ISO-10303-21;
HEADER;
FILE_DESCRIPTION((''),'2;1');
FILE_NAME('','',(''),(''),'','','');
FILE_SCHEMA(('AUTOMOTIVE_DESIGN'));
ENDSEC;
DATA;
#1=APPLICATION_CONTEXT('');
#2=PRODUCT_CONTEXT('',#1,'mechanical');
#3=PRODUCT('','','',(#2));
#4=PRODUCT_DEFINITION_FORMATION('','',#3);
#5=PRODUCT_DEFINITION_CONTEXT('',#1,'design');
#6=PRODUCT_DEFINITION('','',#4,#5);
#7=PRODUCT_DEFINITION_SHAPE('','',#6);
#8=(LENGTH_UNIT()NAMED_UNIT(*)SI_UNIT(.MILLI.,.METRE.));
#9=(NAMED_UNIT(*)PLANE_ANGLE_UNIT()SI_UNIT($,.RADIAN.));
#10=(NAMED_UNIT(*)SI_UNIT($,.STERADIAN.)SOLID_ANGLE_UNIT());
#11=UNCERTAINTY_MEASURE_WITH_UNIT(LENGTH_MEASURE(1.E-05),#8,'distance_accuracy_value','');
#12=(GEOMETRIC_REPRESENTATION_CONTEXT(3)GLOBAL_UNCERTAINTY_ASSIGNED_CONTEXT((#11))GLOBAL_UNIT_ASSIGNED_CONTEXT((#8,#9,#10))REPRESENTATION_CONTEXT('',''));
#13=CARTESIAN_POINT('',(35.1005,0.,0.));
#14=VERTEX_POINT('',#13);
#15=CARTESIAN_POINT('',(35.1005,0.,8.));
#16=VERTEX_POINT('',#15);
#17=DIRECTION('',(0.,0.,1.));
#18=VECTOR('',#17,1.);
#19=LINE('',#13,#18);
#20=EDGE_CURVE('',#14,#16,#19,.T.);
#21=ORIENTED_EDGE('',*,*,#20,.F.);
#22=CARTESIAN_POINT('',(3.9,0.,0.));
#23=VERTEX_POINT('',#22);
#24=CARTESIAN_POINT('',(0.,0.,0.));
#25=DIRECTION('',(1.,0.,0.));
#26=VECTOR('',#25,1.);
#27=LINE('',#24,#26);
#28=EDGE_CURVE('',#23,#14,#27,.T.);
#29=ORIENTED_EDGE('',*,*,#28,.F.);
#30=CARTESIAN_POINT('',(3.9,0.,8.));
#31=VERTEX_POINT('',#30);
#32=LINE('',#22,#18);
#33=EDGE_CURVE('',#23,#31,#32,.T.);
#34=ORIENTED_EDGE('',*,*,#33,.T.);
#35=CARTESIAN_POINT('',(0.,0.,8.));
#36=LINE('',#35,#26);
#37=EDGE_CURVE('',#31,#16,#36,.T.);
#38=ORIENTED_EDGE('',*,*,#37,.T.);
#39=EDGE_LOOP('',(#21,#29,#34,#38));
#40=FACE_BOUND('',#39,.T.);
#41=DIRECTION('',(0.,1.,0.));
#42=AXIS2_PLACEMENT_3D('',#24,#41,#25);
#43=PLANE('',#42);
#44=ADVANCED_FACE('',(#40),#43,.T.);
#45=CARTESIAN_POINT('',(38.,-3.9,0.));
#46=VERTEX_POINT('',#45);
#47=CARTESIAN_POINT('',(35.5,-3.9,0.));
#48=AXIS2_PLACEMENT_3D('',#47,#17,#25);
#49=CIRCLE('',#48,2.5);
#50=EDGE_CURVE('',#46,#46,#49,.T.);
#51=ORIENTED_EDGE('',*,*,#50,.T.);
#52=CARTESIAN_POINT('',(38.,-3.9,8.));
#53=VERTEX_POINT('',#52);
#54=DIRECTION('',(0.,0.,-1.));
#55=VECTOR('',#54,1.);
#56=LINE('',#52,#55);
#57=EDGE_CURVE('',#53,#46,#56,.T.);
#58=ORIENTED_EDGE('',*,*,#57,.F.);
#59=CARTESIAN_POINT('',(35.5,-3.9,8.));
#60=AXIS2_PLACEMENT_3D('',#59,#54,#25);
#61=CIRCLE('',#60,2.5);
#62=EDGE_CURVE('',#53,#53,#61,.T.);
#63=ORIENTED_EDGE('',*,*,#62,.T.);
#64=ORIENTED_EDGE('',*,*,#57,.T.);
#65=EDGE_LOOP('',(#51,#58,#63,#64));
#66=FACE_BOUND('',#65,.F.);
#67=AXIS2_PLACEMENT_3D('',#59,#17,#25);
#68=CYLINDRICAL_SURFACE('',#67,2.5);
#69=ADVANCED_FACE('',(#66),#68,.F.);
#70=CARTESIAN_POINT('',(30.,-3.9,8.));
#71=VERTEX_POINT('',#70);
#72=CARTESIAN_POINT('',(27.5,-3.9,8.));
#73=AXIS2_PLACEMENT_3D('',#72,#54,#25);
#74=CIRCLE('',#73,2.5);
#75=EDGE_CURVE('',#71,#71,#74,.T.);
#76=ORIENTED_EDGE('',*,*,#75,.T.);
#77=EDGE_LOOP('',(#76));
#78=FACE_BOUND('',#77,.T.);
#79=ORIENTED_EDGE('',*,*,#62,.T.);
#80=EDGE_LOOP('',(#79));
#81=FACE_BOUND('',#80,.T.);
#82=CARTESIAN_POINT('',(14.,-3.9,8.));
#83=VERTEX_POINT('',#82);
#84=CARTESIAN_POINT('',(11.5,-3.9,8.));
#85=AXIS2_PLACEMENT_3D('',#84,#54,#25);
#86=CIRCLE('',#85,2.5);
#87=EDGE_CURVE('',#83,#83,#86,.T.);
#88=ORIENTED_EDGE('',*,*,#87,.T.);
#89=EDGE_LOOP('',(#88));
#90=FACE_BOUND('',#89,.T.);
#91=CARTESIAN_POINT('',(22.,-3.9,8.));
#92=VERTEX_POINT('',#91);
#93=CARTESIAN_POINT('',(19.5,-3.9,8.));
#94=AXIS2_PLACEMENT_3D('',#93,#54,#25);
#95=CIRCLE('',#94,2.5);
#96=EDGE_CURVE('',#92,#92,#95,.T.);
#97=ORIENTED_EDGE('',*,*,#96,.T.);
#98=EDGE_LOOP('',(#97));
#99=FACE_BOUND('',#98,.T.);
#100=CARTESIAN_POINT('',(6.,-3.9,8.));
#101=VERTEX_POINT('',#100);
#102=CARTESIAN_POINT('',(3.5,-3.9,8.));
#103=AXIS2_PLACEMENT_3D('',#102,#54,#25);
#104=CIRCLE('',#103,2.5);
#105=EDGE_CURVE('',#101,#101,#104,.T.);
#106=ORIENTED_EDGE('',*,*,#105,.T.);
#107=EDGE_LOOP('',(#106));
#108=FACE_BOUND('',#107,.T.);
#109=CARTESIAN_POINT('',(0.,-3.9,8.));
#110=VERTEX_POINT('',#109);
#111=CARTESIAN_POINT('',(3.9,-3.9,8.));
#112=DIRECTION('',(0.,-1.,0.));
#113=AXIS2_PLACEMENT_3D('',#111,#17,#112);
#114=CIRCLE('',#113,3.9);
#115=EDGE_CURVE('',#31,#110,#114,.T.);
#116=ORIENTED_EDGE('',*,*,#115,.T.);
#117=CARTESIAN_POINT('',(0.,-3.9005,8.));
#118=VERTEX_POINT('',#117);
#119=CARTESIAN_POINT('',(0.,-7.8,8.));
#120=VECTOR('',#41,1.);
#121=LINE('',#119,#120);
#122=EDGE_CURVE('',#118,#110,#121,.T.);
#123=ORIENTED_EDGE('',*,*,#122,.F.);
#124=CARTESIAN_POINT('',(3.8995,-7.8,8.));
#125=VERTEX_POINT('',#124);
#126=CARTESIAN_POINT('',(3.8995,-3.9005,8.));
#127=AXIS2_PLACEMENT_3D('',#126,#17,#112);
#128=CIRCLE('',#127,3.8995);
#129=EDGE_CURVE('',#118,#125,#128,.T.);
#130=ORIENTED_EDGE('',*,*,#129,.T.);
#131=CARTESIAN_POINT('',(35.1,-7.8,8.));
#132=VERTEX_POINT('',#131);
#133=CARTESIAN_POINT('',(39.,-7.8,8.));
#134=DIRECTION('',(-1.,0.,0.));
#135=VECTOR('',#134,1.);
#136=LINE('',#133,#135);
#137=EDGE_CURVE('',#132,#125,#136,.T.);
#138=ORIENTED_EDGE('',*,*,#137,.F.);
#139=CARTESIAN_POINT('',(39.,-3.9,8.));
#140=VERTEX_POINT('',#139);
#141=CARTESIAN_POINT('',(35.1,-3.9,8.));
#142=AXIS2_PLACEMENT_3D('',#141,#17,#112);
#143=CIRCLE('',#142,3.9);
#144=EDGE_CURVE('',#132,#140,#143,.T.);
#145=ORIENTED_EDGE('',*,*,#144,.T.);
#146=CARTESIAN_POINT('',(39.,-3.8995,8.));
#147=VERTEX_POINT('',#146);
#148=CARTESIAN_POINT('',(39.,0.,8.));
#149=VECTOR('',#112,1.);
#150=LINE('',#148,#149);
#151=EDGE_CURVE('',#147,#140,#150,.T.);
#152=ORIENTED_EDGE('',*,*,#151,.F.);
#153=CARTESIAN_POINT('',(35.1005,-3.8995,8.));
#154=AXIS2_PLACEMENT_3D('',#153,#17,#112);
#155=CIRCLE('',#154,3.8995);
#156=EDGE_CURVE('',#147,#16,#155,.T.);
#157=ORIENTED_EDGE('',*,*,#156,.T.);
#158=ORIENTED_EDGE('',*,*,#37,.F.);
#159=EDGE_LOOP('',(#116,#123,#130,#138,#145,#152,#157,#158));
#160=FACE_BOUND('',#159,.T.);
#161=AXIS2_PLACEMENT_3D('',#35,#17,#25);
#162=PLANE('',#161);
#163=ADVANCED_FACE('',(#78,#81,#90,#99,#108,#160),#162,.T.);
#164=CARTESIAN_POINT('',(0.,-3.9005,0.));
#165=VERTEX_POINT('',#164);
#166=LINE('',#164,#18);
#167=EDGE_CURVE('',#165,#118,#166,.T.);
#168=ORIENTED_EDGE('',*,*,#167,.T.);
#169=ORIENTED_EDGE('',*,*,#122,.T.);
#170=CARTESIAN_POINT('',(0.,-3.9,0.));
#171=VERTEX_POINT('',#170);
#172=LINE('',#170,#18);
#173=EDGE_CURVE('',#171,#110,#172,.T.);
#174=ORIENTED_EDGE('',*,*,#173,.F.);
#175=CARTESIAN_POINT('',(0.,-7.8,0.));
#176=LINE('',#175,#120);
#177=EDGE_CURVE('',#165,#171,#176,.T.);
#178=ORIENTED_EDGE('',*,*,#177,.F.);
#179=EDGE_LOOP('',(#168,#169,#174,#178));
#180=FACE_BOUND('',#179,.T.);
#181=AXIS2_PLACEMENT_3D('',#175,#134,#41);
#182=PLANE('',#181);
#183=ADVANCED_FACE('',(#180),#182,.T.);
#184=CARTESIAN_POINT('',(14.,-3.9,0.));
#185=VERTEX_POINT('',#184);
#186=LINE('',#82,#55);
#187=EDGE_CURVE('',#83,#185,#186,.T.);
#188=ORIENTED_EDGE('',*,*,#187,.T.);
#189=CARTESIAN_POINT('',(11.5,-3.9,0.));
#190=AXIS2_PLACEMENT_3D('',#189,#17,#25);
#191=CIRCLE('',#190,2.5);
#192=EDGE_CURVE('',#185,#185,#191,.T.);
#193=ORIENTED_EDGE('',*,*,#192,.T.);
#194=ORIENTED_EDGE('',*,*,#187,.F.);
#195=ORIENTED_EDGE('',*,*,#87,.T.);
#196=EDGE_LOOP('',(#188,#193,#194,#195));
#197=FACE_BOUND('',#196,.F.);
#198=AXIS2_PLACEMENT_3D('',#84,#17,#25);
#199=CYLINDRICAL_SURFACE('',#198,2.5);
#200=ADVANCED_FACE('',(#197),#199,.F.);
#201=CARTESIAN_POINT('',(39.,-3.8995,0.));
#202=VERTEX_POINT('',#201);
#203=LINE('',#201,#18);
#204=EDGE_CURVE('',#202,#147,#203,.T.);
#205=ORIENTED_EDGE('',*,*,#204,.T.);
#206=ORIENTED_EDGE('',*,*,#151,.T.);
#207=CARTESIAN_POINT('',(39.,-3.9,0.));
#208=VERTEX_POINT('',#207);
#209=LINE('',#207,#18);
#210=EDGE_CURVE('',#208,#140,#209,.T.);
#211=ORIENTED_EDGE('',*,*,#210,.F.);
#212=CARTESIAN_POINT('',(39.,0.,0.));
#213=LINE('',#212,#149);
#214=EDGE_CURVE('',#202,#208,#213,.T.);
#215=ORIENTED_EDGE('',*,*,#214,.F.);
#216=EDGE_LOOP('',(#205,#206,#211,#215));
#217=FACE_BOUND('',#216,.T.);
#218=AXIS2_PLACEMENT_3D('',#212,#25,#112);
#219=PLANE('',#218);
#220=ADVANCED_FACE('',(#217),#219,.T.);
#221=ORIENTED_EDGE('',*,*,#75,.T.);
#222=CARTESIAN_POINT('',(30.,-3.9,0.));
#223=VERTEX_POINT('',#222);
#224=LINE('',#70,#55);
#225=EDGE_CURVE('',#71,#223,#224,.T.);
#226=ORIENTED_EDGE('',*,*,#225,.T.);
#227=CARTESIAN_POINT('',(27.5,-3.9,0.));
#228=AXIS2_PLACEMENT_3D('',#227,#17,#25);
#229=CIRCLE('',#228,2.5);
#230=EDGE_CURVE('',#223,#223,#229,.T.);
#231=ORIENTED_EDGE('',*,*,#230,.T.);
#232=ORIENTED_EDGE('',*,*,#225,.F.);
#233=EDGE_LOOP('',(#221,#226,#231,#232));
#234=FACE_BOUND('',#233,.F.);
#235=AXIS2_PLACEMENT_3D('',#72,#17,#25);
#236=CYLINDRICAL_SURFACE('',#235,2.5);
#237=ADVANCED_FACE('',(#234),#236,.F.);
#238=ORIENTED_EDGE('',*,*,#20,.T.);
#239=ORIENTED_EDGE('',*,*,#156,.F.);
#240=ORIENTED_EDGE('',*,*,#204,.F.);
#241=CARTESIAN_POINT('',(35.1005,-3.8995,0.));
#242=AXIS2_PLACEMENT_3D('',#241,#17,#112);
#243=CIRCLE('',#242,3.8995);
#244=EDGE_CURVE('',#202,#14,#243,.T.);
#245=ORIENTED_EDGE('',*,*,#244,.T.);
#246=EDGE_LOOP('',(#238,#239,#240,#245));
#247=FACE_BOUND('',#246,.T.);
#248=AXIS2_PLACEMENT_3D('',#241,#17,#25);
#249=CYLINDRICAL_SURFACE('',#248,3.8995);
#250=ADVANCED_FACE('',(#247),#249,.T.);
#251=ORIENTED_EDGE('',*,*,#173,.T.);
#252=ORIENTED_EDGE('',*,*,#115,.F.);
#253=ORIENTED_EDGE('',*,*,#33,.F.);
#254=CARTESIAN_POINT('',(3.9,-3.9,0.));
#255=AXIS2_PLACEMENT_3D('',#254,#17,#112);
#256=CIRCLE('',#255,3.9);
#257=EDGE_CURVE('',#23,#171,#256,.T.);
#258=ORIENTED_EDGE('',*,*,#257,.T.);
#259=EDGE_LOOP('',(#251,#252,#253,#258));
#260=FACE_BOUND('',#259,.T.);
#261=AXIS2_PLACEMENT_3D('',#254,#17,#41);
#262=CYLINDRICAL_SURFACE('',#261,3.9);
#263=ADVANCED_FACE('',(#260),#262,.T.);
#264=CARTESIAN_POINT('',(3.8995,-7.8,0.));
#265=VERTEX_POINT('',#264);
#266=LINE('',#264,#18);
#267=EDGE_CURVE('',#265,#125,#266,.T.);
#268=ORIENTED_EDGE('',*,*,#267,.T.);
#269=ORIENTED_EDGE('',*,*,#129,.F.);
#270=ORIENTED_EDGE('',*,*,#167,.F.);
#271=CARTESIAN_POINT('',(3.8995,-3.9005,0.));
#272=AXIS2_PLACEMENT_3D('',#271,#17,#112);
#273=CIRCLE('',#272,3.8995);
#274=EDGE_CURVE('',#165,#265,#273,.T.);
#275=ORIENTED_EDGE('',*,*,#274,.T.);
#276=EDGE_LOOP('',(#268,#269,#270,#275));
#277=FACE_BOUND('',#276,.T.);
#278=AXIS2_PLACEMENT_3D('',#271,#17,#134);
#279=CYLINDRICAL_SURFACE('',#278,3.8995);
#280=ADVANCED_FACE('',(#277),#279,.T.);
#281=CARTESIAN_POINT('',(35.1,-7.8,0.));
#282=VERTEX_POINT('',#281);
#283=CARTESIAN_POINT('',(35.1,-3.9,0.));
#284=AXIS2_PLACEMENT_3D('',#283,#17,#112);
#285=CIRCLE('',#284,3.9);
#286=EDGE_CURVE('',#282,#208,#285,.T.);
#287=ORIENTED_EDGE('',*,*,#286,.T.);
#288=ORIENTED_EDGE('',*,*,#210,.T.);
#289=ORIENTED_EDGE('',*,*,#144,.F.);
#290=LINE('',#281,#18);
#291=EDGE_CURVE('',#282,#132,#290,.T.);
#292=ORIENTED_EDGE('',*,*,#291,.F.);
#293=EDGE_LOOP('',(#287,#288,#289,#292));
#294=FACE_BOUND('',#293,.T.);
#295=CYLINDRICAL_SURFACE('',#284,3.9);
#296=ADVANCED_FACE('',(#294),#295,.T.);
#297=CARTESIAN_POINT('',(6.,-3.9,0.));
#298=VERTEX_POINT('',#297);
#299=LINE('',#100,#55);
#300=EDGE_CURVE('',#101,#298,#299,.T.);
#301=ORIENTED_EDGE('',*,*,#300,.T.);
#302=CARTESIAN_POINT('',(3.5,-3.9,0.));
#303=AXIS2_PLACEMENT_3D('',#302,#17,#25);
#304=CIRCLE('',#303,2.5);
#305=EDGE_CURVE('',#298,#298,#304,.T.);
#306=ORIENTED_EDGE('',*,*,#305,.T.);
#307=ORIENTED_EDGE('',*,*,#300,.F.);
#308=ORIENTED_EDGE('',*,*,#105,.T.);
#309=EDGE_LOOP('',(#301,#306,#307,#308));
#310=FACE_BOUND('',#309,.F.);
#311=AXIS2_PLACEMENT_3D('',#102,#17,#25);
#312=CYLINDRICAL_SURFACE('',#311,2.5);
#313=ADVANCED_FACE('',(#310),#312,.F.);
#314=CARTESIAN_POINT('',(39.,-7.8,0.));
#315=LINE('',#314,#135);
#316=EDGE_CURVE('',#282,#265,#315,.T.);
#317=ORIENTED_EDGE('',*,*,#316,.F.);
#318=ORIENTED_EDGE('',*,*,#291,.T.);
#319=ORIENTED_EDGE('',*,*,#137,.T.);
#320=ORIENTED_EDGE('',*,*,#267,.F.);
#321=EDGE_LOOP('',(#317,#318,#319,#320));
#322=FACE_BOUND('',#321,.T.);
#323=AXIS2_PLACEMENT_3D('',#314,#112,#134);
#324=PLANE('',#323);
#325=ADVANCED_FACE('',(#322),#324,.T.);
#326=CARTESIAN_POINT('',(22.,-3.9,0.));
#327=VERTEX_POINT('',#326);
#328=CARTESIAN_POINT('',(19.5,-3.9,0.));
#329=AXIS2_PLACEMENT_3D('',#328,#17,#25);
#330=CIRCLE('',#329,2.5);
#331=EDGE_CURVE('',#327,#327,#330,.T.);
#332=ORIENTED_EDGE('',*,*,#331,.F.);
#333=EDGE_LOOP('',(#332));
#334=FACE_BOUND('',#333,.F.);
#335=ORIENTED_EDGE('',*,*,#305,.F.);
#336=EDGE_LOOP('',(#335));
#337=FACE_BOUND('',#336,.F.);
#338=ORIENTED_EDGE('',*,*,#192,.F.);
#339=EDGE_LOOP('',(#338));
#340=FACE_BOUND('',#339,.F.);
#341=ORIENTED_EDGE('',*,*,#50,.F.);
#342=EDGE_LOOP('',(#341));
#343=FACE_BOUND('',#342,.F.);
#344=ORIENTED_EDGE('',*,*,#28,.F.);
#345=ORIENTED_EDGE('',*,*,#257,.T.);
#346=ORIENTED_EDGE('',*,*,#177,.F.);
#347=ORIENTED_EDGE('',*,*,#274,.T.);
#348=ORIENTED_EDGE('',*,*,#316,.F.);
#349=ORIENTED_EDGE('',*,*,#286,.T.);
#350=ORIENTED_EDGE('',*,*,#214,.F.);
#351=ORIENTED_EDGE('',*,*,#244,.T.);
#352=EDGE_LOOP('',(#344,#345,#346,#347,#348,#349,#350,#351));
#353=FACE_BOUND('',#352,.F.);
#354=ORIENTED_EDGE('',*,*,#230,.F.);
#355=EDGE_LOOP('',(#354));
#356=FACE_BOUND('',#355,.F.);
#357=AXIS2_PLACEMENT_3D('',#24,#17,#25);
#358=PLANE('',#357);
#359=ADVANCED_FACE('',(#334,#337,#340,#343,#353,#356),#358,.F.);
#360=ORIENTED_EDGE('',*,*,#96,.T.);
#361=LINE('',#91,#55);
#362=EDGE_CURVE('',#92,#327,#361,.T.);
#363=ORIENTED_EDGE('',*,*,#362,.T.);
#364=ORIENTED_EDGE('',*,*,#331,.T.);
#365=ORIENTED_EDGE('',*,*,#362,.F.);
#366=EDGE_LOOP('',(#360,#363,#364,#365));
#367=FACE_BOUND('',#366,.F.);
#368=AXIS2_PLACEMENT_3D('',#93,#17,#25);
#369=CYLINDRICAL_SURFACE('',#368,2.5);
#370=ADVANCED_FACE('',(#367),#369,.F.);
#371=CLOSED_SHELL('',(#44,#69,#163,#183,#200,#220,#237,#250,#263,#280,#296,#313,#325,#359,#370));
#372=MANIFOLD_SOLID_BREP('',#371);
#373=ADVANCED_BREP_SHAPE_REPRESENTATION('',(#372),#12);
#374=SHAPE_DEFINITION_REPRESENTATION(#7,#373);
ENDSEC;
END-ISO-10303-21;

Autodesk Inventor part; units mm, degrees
ref_plane "YZ Plane" through (0, 0, 0) normal (1, 0, 0) x (0, 1, 0)
ref_plane "XZ Plane" through (0, 0, 0) normal (0, 1, 0) x (-1, 0, 0)
ref_plane "XY Plane" through (0, 0, 0) normal (0, 0, 1) x (1, 0, 0)
sketch "Sketch1" plane through (0, 0, 0) normal (0, 0, 1) x (1, 0, 0)
  line L0 (0, 0) -> (39, 0)
  line L1 (39, 0) -> (39, -7.8)
  line L2 (39, -7.8) -> (0, -7.8)
  line L3 (0, -7.8) -> (0, 0)
  dimension "d0" = 39
  dimension "d1" = 7.8
extrude "Extrusion1" add sketch "Sketch1" along normal blind 8
fillet "Fillet1" radius 3.9 1 edges at (0, 0, 4)
fillet "Fillet2" radius 3.9 1 edges at (0, -7.8, 4)
fillet "Fillet3" radius 3.9 1 edges at (39, -7.8, 4)
fillet "Fillet4" radius 3.9 1 edges at (39, 0, 4)
sketch "Sketch2" plane through (0, 0, 8) normal (0, 0, 1) x (1, 0, 0)
  line L0 (35.1, 0) -> (3.9, 0) projected
  arc A0 (35.1, -7.8) -> (35.1, 0) centre (35.1, -3.9) ccw projected
  line L1 (0, -3.9) -> (39, -3.9)
  circle A1 centre (19.5, -3.9) radius 2.5
  circle A2 centre (27.5, -3.9) radius 2.5
  circle A3 centre (35.5, -3.9) radius 2.5
  circle A4 centre (11.5, -3.9) radius 2.5
  circle A5 centre (3.5, -3.9) radius 2.5
  point P0 (0, 0)
  dimension "d16" = 39
  dimension "d17" = 5
  dimension "d18" = 5
  dimension "d19" = 5
  dimension "d20" = 5
  dimension "d21" = 5
  dimension "d24" = 3
  dimension "d25" = 3
  dimension "d27" = 3
  dimension "d28" = 3
extrude "Extrusion2" cut sketch "Sketch2" against normal blind 8
properties part number "Transmission_Holder_5_Place_Holder"
